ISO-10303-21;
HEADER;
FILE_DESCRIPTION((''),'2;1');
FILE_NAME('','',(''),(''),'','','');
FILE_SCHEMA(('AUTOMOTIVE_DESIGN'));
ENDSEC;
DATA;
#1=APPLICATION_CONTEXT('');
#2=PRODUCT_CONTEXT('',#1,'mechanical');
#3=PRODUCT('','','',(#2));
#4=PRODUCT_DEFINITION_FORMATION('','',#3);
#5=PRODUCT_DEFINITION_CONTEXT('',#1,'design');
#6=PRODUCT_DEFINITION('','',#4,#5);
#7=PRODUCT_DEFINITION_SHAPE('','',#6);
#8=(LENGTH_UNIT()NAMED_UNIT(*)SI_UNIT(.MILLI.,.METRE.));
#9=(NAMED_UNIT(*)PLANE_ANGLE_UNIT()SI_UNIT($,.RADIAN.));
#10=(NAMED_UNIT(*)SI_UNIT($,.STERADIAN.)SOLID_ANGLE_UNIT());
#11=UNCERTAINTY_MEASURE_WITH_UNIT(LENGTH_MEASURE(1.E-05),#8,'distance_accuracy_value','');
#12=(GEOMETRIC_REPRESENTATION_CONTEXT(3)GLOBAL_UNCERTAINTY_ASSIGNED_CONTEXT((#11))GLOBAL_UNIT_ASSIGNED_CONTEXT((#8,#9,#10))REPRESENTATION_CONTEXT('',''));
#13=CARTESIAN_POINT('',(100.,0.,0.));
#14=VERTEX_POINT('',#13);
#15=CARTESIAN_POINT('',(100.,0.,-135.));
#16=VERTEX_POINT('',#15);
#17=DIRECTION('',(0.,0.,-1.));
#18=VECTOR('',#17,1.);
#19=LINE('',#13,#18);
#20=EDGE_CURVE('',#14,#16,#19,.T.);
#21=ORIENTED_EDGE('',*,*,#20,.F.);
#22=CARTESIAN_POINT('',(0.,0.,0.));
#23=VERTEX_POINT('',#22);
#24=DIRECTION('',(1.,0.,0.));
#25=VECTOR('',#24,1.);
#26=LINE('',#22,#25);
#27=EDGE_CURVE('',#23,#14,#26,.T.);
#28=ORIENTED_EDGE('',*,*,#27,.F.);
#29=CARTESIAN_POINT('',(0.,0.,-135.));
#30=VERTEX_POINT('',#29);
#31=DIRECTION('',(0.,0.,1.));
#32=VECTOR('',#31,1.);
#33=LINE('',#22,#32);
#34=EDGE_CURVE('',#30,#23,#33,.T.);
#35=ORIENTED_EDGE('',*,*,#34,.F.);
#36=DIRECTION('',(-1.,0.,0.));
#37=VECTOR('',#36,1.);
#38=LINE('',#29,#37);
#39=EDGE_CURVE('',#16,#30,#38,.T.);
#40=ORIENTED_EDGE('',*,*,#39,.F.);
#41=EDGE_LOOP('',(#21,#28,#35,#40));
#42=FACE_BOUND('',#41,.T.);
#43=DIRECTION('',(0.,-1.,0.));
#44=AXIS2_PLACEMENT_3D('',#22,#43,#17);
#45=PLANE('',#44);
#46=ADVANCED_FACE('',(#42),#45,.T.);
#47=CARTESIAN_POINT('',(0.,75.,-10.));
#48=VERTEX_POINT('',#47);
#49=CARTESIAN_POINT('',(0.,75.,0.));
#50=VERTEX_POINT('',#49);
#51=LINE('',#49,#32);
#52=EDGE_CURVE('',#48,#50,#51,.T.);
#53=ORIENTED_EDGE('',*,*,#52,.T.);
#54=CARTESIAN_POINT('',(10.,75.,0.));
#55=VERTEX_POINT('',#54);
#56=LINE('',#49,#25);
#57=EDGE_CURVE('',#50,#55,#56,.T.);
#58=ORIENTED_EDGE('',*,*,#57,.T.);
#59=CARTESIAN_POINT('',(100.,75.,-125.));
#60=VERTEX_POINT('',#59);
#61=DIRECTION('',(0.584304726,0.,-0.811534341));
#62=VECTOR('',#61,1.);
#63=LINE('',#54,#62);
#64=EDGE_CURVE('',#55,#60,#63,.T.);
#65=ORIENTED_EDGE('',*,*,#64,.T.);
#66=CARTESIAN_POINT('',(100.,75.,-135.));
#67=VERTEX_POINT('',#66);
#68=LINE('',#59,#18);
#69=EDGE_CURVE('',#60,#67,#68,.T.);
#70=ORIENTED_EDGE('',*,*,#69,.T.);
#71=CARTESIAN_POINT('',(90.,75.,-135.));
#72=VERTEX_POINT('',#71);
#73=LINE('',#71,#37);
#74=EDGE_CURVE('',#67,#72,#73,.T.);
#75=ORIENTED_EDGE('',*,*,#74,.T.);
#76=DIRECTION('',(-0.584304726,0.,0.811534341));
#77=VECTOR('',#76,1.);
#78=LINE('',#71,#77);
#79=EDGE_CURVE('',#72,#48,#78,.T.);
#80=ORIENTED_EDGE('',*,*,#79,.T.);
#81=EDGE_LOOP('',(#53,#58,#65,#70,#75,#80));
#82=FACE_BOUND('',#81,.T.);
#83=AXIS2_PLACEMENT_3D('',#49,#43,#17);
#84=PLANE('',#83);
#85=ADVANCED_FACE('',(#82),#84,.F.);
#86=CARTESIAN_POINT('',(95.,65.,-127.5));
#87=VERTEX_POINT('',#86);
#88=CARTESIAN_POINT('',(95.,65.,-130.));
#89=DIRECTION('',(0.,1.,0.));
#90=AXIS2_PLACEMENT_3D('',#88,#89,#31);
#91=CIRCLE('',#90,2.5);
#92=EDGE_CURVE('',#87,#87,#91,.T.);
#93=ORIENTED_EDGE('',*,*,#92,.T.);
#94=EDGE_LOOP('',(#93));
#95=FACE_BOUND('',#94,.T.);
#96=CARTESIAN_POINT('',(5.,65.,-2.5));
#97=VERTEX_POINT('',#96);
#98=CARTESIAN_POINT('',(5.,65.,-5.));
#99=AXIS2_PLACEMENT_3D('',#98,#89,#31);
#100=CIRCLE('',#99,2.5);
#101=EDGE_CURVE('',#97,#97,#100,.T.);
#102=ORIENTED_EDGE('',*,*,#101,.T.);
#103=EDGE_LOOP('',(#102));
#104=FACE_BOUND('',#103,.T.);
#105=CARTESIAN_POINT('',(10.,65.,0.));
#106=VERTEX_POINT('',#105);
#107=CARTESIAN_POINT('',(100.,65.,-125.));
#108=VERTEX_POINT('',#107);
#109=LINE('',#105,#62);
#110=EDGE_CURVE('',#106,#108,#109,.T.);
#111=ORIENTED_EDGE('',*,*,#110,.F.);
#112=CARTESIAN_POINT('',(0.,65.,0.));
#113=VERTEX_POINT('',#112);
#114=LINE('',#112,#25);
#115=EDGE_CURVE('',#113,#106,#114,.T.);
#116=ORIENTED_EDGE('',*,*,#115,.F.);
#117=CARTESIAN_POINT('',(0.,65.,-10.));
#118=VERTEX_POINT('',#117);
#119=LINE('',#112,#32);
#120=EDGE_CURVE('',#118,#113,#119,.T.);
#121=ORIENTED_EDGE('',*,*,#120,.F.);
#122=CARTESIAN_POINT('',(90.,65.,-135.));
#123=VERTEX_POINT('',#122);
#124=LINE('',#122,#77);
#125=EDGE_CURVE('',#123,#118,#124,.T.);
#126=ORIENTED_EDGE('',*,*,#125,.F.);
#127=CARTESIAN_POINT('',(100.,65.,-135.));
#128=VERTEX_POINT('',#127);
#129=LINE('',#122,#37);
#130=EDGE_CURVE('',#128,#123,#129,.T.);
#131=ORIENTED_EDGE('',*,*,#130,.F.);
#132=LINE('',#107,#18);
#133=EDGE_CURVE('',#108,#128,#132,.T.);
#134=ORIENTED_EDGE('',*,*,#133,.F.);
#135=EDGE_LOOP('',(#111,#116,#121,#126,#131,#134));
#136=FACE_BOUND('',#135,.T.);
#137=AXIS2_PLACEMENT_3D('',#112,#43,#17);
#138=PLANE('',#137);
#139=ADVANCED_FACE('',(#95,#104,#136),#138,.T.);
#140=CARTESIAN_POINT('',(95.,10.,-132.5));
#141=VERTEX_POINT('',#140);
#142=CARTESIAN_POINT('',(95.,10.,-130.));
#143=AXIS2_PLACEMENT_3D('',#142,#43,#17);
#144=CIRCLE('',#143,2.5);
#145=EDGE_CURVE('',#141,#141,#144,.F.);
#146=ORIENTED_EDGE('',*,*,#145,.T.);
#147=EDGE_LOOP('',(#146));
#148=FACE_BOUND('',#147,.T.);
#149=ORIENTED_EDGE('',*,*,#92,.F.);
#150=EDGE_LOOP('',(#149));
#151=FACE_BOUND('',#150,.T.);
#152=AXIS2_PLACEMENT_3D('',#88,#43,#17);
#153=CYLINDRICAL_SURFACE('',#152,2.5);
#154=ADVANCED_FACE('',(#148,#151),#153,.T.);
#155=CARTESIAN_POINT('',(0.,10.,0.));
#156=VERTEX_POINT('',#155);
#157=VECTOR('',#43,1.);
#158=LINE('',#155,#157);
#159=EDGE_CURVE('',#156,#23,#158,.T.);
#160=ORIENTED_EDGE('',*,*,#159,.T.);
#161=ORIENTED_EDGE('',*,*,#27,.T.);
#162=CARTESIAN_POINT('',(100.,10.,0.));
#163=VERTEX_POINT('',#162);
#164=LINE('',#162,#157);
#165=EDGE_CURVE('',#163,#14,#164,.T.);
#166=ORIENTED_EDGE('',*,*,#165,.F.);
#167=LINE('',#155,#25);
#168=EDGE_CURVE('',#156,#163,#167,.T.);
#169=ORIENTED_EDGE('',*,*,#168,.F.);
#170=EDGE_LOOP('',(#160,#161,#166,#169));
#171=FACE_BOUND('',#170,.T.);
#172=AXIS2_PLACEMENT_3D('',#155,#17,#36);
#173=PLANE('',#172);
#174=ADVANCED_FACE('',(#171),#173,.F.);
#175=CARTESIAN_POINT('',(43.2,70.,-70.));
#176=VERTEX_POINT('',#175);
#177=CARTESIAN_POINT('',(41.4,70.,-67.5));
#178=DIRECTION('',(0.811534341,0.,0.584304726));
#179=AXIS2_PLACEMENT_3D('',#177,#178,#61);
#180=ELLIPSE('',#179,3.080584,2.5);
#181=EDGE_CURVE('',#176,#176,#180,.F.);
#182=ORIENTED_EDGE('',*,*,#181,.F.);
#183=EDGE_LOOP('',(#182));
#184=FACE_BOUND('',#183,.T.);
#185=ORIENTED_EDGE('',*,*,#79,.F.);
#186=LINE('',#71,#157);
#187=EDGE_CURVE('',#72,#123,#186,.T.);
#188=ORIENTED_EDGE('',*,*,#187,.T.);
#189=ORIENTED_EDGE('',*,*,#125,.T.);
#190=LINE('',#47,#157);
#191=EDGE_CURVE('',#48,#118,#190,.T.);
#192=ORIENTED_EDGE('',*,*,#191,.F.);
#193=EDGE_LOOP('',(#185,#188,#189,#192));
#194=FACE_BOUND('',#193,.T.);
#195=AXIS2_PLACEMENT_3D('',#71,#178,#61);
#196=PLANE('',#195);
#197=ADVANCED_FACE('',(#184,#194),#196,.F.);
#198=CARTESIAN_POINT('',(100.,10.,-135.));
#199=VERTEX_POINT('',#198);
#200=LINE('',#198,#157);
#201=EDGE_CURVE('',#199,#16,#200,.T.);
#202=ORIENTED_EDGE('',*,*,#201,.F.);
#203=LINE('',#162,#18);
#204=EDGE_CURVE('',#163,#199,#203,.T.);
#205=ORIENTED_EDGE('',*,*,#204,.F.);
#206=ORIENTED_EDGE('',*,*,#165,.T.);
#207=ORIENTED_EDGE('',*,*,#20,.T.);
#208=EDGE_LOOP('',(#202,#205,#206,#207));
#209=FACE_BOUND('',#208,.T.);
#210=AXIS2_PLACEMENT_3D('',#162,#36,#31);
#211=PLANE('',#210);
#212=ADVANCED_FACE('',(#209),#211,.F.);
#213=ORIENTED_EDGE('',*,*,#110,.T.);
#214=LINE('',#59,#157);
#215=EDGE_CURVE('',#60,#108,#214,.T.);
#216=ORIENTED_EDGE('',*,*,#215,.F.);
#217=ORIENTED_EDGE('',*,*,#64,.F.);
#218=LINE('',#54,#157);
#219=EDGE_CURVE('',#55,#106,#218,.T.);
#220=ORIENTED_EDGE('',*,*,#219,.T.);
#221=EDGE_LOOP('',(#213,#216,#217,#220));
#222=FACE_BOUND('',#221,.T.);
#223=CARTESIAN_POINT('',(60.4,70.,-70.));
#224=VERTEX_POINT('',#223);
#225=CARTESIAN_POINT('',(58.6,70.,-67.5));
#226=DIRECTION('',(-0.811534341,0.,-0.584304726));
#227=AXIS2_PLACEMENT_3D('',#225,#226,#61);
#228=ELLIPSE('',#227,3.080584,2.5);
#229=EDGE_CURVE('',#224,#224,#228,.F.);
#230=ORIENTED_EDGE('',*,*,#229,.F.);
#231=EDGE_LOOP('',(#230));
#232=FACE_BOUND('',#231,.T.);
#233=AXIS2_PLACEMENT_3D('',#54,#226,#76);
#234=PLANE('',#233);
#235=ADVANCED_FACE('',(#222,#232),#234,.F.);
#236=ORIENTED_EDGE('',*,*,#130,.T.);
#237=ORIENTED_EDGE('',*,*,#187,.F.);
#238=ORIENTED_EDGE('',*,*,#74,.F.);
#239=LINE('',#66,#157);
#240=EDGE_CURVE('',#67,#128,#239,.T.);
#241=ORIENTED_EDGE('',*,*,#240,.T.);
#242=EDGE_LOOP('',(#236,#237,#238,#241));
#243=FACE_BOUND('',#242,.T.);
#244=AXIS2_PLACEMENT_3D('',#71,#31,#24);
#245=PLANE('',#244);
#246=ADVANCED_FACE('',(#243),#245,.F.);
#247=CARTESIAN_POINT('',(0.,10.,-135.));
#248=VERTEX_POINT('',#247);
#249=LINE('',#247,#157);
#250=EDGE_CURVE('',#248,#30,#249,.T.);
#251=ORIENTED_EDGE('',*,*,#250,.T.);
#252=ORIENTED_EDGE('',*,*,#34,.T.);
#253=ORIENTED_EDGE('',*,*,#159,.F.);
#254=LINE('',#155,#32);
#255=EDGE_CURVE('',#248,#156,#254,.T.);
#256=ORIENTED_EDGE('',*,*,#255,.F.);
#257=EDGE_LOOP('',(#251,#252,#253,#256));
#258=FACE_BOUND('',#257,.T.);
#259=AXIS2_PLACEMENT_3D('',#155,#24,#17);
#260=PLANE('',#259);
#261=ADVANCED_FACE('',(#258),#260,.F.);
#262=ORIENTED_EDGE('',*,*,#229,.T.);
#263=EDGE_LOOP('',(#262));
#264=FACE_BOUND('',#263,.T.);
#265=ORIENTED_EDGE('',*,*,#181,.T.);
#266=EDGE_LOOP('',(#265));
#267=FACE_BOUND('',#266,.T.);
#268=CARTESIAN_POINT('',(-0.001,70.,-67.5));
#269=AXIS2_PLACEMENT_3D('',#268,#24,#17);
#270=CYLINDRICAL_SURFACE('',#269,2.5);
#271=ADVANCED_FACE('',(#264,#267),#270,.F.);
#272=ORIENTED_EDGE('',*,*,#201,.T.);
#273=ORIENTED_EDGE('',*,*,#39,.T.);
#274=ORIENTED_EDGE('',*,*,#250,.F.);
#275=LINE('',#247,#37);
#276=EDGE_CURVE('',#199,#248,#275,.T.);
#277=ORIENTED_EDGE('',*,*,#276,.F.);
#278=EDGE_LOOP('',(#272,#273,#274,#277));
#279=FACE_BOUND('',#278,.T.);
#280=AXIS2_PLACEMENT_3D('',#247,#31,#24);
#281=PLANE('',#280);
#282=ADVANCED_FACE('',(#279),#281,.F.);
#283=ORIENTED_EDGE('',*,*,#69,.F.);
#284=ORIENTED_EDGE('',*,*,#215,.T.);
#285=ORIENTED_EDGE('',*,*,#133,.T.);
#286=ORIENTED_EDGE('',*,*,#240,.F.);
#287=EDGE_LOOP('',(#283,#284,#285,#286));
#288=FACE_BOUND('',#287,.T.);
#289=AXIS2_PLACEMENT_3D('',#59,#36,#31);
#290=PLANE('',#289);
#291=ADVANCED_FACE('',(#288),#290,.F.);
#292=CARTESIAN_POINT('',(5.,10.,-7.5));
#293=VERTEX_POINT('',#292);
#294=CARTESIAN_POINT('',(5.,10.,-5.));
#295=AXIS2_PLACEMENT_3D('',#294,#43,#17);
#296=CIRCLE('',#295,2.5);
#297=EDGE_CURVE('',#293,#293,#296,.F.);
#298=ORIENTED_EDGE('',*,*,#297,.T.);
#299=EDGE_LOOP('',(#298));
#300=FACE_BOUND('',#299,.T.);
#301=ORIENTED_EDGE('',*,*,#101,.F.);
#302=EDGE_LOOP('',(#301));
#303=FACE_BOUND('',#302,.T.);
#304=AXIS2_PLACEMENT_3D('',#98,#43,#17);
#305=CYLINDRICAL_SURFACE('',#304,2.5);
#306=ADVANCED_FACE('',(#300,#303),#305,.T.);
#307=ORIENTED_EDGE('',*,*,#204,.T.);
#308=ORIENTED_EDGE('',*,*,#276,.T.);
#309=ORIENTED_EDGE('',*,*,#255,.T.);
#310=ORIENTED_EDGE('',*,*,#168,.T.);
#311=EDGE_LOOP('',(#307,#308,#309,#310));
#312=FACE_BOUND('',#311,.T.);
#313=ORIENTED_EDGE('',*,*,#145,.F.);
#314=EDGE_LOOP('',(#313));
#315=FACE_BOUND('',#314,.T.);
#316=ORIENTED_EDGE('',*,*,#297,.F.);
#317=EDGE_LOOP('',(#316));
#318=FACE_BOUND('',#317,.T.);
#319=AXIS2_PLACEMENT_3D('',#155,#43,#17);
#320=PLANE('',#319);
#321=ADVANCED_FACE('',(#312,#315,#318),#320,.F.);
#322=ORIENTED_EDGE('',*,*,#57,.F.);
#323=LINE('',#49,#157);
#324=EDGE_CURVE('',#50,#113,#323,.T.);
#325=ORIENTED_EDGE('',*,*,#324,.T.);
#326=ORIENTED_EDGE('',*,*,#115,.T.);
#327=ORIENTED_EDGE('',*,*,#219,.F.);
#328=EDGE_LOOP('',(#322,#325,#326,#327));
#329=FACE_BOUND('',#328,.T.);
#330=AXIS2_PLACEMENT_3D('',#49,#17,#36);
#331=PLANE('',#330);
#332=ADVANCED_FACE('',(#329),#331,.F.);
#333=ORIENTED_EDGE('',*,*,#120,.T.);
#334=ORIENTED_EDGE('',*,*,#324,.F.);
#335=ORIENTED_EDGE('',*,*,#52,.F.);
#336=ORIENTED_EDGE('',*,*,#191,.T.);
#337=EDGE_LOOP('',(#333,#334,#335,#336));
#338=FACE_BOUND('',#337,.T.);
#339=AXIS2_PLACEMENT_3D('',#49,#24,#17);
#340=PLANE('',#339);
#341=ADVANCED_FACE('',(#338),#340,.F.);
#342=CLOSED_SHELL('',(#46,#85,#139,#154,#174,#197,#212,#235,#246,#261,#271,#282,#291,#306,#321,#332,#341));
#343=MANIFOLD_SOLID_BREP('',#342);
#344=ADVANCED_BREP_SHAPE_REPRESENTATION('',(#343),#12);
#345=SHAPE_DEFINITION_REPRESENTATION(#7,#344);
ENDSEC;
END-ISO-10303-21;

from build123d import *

# Parameters (mm, degrees)
SKETCH1_W                    = 100
SKETCH1_H                    = 135
BOTTOMPLATE_DEPTH            = 10
SKETCH2_R                    = 2.5
TOPPLATFORMSUPPORT_DEPTH     = 55
TOPTHREADEDRODPLATFORM_DEPTH = 10
CUT_EXTRUDE2_REACH           = 185.984
SKETCH5_R                    = 2.5


with BuildPart() as part:
    # Sketch1 → BottomPlate (new body)
    with BuildSketch(Plane(origin=(0, 0, 0), x_dir=(1, 0, 0), z_dir=(0, 1, 0))):
        with Locations((50, 67.5)):
            Rectangle(SKETCH1_W, SKETCH1_H)
    extrude(amount=BOTTOMPLATE_DEPTH)

    # Sketch2 → TopPlatformSupport (add)
    with BuildSketch(Plane(origin=(0, 10, 0), x_dir=(1, 0, 0), z_dir=(0, 1, 0))):
        with Locations(Location((95, 130, 0), (0, 0, 90))):
            Circle(SKETCH2_R)
        with Locations(Location((5, 5, 0), (0, 0, 90))):
            Circle(SKETCH2_R)
    extrude(amount=TOPPLATFORMSUPPORT_DEPTH)

    # Sketch3 → TopThreadedRodPlatform (add)
    with BuildSketch(Plane(origin=(0, 65, 0), x_dir=(1, 0, 0), z_dir=(0, 1, 0))):
        Polygon((90, 135), (0, 10), (0, 0), (10, 0), (100, 125), (100, 135), align=None)
    extrude(amount=TOPTHREADEDRODPLATFORM_DEPTH)

    # Cut-Extrude2: up to this plane
    cut_extrude2_end = Plane(origin=(90, 75, -135), z_dir=(0.8115343414514944, 0, 0.584304725845076))
    # Sketch5 → Cut-Extrude2 (cut, up to the surface)
    with BuildSketch(Plane(origin=(100, 0, 0), x_dir=(0, 0, -1), z_dir=(1, 0, 0)), mode=Mode.PRIVATE) as cut_extrude2_sk1:
        with Locations((67.5, 70)):
            Circle(SKETCH5_R)
    cut_extrude2_tool1 = split(extrude(cut_extrude2_sk1.sketch, amount=-CUT_EXTRUDE2_REACH, mode=Mode.PRIVATE), bisect_by=cut_extrude2_end, keep=Keep.BOTH, mode=Mode.PRIVATE)
    add(cut_extrude2_tool1.solids().sort_by_distance((100, 70, -67.5))[0], mode=Mode.SUBTRACT)


solid = part.part
